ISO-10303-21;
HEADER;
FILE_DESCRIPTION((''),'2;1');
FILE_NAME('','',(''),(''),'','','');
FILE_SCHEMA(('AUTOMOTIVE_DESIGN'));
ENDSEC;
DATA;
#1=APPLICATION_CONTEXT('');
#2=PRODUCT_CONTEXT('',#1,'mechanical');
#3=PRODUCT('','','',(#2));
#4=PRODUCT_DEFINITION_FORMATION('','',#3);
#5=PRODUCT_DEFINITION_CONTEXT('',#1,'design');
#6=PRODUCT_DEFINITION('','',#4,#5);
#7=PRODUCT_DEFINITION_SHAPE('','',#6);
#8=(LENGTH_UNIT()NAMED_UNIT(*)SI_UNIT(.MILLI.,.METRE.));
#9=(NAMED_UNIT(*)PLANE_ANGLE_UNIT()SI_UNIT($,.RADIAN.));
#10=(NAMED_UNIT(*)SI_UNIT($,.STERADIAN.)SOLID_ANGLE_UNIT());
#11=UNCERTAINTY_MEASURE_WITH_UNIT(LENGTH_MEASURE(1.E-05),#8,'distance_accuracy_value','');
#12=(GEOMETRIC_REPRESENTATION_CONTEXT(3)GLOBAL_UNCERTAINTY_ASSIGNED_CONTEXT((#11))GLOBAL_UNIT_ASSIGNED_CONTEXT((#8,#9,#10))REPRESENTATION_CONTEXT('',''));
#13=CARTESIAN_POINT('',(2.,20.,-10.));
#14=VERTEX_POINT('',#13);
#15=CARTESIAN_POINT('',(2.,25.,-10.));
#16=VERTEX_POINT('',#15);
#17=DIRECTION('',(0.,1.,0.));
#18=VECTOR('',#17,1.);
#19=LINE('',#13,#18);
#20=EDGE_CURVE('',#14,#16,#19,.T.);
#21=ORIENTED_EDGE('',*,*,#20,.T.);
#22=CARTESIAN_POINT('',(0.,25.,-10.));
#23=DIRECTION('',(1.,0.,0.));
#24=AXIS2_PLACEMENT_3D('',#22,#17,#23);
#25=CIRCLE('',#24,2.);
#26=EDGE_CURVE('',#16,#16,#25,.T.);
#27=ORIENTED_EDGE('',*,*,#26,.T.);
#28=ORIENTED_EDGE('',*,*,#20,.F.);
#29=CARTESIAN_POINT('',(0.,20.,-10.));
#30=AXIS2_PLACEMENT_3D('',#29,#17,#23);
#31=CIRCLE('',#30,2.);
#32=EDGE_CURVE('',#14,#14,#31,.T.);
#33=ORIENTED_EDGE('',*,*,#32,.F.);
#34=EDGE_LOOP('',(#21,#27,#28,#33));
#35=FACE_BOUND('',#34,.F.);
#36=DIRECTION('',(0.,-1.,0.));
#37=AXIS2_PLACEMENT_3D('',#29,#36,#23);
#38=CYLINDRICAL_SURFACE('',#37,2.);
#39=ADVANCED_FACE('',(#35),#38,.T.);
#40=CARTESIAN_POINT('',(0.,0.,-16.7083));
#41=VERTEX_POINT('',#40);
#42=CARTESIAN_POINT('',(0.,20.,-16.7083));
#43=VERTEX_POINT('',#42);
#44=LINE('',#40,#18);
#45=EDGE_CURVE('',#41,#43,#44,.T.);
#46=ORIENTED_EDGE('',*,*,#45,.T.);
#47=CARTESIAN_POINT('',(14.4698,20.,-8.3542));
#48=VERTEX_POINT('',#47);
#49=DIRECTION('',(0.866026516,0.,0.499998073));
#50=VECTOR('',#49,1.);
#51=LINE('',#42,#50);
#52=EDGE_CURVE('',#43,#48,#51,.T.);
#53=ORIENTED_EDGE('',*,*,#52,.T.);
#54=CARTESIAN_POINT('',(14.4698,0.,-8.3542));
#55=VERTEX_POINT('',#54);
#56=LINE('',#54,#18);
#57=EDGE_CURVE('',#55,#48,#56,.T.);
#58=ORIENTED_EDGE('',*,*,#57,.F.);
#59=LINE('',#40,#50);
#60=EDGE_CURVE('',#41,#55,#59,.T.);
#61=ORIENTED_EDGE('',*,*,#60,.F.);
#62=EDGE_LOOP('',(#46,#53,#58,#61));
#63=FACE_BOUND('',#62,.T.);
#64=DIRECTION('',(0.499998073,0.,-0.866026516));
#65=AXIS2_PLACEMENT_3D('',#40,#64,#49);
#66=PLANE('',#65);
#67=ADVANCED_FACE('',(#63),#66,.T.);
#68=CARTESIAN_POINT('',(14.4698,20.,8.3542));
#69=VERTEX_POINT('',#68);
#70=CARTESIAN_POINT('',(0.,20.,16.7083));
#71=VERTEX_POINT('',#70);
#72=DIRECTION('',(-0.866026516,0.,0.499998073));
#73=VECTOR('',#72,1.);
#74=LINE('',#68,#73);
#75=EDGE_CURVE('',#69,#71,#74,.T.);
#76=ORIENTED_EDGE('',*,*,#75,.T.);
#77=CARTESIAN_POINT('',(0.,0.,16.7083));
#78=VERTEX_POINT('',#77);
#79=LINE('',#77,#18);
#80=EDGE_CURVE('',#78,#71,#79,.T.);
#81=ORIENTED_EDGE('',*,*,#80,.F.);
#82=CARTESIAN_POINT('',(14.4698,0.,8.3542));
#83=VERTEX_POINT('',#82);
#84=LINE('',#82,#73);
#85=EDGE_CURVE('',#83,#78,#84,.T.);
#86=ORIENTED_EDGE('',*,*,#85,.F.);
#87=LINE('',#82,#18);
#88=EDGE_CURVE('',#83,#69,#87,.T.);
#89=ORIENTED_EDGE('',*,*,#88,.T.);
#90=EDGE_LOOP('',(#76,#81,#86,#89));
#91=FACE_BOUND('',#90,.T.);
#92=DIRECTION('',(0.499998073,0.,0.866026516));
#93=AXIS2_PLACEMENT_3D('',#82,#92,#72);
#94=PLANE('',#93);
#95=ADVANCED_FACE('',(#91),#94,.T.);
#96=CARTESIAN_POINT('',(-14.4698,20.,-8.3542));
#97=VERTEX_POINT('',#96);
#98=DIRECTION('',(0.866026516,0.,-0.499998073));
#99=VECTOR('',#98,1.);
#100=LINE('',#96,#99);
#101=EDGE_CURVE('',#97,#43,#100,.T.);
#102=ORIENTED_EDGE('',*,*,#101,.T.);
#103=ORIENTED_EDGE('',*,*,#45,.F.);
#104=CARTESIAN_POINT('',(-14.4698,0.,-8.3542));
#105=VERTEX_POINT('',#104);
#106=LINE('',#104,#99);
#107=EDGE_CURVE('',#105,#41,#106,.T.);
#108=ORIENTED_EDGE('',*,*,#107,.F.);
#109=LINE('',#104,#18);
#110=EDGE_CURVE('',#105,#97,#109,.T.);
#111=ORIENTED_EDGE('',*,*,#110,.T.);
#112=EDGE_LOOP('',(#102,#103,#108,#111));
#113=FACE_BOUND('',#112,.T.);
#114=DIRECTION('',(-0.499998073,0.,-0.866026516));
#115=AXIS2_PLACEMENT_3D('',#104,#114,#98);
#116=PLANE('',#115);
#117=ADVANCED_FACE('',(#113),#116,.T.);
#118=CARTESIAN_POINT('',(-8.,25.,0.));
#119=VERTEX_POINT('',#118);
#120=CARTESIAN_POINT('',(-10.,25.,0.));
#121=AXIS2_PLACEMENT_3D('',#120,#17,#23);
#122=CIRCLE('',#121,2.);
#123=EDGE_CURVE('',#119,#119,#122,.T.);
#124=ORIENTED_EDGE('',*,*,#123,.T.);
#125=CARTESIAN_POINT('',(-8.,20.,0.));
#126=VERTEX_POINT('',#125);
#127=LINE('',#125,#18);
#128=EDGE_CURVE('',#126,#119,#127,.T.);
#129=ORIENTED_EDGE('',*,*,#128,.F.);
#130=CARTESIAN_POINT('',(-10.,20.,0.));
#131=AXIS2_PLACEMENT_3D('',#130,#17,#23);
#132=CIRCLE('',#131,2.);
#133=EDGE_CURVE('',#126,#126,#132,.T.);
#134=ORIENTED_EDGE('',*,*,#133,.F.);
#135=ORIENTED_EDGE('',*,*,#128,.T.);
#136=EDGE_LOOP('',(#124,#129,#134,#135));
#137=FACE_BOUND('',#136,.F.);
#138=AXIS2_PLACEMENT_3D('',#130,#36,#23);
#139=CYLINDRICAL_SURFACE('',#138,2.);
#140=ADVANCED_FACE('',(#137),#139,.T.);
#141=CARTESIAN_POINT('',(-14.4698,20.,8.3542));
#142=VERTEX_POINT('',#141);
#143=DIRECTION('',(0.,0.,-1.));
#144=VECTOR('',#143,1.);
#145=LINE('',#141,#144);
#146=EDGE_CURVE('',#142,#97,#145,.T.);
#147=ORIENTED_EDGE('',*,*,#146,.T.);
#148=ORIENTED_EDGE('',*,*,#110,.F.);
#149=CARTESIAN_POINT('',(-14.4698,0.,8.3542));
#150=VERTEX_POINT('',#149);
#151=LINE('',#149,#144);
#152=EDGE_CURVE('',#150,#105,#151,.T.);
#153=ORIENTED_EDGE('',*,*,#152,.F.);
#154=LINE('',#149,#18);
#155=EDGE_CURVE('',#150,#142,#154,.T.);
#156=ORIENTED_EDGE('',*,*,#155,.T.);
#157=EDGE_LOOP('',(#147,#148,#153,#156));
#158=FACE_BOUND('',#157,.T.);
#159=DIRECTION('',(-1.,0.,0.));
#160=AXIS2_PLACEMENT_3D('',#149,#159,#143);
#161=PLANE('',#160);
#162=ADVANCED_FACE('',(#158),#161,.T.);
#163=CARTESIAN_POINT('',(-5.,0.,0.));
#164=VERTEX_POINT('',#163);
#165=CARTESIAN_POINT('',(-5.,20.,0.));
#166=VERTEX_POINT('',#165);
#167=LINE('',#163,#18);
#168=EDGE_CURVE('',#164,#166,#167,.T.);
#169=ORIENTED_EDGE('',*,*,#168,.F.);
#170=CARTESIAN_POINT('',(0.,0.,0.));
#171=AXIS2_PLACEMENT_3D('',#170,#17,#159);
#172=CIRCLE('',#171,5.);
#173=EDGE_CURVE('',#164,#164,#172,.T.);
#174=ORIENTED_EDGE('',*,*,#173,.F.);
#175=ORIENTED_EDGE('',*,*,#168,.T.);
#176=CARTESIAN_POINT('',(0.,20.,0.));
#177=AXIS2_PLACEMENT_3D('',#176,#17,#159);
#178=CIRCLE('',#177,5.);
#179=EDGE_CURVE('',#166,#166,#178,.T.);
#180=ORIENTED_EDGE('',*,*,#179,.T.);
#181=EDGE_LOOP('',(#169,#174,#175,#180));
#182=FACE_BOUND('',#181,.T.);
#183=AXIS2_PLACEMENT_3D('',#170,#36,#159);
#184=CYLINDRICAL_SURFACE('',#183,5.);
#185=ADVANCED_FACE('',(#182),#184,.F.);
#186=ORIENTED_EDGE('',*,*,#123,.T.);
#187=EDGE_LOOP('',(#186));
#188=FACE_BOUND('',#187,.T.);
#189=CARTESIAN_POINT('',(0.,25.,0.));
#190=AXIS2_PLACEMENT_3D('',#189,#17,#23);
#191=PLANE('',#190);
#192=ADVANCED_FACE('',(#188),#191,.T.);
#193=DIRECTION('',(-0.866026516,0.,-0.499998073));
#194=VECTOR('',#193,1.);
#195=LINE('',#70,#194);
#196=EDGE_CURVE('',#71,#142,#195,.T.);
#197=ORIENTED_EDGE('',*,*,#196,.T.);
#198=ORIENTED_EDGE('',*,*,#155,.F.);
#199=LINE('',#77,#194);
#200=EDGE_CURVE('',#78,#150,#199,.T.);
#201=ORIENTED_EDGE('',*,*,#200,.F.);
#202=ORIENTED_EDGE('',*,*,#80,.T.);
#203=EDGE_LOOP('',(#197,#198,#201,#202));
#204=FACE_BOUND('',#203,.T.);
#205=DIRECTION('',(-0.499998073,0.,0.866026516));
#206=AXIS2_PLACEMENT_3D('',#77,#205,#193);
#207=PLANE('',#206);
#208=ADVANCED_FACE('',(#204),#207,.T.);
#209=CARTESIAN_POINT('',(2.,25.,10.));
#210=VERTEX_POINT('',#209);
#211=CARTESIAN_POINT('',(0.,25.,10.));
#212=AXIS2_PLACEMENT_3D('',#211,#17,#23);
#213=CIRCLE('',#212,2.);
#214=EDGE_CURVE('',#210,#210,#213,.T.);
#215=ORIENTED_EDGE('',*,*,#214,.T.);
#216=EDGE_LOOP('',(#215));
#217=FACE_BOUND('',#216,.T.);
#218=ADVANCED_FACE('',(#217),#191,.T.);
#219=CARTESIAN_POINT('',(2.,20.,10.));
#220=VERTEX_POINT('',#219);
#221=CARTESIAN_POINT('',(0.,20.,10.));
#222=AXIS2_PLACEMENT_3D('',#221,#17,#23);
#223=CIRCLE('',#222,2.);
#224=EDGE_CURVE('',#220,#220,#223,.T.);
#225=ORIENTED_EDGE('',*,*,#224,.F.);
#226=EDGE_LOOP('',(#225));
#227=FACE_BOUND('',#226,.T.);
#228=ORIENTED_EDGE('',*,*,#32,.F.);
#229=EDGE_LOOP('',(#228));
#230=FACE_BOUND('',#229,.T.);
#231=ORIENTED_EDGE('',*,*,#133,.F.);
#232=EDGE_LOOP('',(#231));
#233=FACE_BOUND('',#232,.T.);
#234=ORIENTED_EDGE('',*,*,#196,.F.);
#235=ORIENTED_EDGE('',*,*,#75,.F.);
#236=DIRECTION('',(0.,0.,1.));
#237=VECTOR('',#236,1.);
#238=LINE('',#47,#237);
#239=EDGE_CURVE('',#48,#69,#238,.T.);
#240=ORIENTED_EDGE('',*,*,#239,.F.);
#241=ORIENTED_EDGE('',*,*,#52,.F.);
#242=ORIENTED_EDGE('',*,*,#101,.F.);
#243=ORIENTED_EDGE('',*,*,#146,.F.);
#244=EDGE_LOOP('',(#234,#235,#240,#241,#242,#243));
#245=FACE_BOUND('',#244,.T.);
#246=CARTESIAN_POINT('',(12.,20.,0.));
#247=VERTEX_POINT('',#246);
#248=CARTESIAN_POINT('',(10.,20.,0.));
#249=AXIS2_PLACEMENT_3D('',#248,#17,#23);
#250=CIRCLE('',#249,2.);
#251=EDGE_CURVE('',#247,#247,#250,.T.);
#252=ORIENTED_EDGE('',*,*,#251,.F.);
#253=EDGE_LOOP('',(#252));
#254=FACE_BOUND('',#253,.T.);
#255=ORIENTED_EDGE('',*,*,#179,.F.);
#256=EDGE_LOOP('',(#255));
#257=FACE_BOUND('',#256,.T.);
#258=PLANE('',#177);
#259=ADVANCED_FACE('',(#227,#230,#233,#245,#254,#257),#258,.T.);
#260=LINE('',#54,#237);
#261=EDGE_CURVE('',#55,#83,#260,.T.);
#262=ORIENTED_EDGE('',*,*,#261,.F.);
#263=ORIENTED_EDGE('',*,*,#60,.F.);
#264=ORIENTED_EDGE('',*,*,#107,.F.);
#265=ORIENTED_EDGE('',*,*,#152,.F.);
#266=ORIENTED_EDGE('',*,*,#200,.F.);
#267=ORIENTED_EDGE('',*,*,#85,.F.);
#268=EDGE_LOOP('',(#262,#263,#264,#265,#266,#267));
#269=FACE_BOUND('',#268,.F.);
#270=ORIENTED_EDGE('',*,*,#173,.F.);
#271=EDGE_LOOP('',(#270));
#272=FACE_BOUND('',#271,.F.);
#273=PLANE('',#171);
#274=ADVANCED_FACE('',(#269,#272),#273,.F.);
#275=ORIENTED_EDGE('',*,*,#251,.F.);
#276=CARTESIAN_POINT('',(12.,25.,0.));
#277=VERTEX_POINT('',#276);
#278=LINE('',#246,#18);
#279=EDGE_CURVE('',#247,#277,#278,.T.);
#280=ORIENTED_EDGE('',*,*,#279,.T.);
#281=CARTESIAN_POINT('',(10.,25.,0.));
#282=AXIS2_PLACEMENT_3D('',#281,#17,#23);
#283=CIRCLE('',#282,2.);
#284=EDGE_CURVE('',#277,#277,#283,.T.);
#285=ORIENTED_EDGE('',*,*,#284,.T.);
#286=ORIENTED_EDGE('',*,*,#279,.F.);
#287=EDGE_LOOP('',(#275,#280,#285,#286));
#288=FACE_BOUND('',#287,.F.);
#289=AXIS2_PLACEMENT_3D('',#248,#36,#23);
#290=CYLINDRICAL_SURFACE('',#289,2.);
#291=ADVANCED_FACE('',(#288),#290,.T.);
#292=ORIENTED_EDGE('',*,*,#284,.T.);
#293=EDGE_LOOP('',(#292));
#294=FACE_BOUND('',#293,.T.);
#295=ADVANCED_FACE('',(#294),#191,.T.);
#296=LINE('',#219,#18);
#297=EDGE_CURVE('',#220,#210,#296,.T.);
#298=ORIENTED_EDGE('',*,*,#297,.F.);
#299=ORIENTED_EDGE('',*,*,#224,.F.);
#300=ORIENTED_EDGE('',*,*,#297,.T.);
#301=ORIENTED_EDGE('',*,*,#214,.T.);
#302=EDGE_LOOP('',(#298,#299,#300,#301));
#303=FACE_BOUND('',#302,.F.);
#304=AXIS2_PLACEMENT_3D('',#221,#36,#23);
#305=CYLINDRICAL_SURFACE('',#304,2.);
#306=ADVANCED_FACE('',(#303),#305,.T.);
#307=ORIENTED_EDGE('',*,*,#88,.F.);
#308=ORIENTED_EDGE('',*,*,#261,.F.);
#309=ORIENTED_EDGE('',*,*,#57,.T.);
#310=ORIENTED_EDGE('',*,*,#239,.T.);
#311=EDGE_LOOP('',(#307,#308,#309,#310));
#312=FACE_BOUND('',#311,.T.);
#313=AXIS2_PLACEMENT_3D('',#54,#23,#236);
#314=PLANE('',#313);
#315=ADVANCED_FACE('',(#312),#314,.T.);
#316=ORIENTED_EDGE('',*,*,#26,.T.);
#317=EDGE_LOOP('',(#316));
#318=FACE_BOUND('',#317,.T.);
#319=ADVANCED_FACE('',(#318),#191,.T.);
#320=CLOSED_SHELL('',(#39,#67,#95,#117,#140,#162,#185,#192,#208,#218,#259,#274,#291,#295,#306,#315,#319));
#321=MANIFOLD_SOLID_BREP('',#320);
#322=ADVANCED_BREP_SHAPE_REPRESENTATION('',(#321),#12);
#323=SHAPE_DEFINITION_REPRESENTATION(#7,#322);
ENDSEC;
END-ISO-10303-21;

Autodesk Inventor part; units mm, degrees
ref_plane "YZ Plane" through (0, 0, 0) normal (1, 0, 0) x (0, 1, 0)
ref_plane "XZ Plane" through (0, 0, 0) normal (0, 1, 0) x (-1, 0, 0)
ref_plane "XY Plane" through (0, 0, 0) normal (0, 0, 1) x (1, 0, 0)
sketch "Sketch1" plane through (0, 0, 0) normal (0, 1, 0) x (-1, 0, 0)
  line L0 (0, -16.7083) -> (-14.4698, -8.3542)
  line L1 (-14.4698, -8.3542) -> (-14.4698, 8.3542)
  line L2 (-14.4698, 8.3542) -> (0, 16.7083)
  line L3 (0, 16.7083) -> (14.4698, 8.3542)
  line L4 (14.4698, 8.3542) -> (14.4698, -8.3542)
  line L5 (14.4698, -8.3542) -> (0, -16.7083)
  circle A0 centre (0, 0) radius 5
  dimension "d0" = 10
extrude "Extrusion1" add sketch "Sketch1" along normal blind 20
thread "Thread1" size "M10x1.5" class "6H" standard "ANSI Metric M Profile" full length
sketch "Sketch2" plane through (0, 20, 0) normal (0, 1, 0) x (1, 0, 0)
  circle A0 centre (-10, 0) radius 2
  circle A1 centre (0, 10) radius 2
  circle A2 centre (0, -10) radius 2
  circle A3 centre (10, 0) radius 2
  point P0 (0, 0)
  dimension "d6" = 4
  dimension "d7" = 4
  dimension "d8" = 4
  dimension "d9" = 4
extrude "Extrusion2" add sketch "Sketch2" along normal blind 5
properties part number "Nut"
